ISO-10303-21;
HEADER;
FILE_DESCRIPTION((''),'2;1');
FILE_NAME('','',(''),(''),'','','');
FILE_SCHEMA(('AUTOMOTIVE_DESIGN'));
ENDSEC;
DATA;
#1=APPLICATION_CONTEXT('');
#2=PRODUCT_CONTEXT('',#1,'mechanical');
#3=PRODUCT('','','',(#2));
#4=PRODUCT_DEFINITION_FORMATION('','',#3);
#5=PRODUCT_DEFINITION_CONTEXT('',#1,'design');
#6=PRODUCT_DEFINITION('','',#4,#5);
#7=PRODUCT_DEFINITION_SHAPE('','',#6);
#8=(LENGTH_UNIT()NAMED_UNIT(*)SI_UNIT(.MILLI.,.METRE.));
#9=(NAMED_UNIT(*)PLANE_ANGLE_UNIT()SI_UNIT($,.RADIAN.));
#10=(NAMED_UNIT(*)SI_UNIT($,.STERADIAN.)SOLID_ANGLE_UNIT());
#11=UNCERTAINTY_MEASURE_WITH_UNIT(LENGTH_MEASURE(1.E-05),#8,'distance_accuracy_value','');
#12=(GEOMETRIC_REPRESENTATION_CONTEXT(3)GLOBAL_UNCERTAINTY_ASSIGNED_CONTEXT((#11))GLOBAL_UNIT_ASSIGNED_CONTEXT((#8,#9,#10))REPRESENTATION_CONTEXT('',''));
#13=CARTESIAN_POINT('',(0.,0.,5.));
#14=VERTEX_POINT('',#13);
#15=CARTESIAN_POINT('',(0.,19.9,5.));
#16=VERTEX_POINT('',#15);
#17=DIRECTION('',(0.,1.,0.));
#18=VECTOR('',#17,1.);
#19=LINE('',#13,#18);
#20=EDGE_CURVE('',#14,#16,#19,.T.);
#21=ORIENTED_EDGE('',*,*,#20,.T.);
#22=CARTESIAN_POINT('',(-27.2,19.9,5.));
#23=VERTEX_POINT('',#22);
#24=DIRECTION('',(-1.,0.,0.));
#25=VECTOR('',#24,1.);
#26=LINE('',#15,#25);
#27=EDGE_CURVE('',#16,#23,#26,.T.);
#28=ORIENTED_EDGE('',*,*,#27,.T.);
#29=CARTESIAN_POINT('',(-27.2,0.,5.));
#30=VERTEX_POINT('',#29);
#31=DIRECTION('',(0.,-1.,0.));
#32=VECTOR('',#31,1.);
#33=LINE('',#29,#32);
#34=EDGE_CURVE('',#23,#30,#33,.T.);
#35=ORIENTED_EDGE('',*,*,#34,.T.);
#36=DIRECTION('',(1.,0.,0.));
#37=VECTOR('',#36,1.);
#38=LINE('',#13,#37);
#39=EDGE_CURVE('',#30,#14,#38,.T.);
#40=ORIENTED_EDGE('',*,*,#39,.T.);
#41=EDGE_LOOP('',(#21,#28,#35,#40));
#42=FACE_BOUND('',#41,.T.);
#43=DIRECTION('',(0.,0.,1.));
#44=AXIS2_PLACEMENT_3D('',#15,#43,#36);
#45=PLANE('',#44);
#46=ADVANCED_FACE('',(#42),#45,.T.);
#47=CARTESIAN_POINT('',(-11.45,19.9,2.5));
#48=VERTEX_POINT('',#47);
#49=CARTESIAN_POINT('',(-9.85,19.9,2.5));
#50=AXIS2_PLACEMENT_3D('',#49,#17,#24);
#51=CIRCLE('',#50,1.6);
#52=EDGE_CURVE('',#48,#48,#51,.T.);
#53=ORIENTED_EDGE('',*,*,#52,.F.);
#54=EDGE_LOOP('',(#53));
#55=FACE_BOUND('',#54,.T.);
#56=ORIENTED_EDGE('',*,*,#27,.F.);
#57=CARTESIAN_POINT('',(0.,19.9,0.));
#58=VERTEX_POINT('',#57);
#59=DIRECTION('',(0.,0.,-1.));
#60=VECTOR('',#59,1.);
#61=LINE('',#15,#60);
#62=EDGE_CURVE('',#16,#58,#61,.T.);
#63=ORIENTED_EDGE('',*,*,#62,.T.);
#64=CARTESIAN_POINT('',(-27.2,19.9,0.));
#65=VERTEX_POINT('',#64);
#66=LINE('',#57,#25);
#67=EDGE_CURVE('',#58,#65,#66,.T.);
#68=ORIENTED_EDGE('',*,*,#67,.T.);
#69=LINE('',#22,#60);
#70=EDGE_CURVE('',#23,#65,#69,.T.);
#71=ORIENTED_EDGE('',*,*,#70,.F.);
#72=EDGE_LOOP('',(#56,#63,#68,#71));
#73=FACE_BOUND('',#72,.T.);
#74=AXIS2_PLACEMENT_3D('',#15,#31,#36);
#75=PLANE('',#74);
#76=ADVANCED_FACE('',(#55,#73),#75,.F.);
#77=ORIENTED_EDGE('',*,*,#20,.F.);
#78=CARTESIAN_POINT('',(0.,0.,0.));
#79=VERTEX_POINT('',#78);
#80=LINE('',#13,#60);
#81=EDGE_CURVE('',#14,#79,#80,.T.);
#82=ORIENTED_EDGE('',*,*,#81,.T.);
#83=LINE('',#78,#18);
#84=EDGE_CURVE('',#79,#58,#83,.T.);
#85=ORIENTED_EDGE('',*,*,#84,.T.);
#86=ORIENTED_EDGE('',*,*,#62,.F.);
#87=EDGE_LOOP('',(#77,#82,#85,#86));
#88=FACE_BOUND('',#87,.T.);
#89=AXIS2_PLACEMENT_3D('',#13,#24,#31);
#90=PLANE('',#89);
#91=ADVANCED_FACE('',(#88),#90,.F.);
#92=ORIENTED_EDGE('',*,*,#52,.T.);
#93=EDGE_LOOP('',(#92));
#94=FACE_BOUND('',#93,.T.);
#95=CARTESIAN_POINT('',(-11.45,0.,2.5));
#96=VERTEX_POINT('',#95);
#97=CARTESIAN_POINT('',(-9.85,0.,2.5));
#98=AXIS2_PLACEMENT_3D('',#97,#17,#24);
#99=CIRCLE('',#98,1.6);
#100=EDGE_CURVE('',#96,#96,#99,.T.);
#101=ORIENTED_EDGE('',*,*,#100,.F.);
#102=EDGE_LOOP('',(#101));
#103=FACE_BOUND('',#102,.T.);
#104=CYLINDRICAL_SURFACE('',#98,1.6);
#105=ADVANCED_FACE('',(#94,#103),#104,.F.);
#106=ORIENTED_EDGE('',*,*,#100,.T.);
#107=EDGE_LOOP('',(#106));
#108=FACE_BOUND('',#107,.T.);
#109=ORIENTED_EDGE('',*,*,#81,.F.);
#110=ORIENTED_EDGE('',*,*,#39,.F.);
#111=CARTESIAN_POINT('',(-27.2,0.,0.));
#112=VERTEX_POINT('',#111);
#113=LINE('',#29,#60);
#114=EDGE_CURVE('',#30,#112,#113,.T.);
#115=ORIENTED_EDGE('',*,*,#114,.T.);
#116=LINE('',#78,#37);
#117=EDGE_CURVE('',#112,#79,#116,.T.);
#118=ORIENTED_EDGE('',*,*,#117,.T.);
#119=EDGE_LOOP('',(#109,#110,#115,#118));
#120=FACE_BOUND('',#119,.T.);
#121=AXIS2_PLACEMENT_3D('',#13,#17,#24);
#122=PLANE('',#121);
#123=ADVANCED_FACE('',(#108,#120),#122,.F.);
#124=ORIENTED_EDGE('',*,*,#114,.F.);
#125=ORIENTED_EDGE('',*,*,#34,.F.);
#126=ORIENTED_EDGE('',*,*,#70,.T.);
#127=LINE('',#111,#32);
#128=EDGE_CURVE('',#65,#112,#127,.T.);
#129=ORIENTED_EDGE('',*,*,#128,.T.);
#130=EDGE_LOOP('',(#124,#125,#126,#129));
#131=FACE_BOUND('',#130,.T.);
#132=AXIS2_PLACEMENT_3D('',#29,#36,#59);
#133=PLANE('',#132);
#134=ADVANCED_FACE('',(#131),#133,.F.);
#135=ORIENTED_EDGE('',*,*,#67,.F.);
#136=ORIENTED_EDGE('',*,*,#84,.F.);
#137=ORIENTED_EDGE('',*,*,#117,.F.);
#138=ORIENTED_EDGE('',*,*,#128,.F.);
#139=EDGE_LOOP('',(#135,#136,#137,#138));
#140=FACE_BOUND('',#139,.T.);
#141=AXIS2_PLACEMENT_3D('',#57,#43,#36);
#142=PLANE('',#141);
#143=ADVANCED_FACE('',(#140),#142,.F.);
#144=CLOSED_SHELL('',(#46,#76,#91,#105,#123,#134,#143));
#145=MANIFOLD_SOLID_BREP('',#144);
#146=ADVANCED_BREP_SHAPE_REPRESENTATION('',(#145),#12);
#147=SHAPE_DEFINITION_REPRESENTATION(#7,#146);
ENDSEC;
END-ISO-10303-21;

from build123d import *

# Parameters (mm, degrees)
ESQUISSE1_W             = 27.2
ESQUISSE1_H             = 19.9
EXTRUSION1_DEPTH        = 5
ESQUISSE2_R             = 1.6
ENL_V_MAT_EXTRU_1_DEPTH = 35.071248876


with BuildPart() as part:
    # Esquisse1 → Extrusion1 (new body)
    with BuildSketch(Plane.XY):
        with Locations((-13.6, 9.95)):
            Rectangle(ESQUISSE1_W, ESQUISSE1_H)
    extrude(amount=EXTRUSION1_DEPTH)

    # Esquisse2 → Enlèv. mat.-Extru.1 (cut, through all)
    with BuildSketch(Plane(origin=(0, 19.9, 0), x_dir=(1, 0, 0), z_dir=(0, 1, 0))):
        with Locations(Location((-9.85, -2.5, 0), (0, 0, 180))):
            Circle(ESQUISSE2_R)
    extrude(amount=-ENL_V_MAT_EXTRU_1_DEPTH, mode=Mode.SUBTRACT)


solid = part.part
